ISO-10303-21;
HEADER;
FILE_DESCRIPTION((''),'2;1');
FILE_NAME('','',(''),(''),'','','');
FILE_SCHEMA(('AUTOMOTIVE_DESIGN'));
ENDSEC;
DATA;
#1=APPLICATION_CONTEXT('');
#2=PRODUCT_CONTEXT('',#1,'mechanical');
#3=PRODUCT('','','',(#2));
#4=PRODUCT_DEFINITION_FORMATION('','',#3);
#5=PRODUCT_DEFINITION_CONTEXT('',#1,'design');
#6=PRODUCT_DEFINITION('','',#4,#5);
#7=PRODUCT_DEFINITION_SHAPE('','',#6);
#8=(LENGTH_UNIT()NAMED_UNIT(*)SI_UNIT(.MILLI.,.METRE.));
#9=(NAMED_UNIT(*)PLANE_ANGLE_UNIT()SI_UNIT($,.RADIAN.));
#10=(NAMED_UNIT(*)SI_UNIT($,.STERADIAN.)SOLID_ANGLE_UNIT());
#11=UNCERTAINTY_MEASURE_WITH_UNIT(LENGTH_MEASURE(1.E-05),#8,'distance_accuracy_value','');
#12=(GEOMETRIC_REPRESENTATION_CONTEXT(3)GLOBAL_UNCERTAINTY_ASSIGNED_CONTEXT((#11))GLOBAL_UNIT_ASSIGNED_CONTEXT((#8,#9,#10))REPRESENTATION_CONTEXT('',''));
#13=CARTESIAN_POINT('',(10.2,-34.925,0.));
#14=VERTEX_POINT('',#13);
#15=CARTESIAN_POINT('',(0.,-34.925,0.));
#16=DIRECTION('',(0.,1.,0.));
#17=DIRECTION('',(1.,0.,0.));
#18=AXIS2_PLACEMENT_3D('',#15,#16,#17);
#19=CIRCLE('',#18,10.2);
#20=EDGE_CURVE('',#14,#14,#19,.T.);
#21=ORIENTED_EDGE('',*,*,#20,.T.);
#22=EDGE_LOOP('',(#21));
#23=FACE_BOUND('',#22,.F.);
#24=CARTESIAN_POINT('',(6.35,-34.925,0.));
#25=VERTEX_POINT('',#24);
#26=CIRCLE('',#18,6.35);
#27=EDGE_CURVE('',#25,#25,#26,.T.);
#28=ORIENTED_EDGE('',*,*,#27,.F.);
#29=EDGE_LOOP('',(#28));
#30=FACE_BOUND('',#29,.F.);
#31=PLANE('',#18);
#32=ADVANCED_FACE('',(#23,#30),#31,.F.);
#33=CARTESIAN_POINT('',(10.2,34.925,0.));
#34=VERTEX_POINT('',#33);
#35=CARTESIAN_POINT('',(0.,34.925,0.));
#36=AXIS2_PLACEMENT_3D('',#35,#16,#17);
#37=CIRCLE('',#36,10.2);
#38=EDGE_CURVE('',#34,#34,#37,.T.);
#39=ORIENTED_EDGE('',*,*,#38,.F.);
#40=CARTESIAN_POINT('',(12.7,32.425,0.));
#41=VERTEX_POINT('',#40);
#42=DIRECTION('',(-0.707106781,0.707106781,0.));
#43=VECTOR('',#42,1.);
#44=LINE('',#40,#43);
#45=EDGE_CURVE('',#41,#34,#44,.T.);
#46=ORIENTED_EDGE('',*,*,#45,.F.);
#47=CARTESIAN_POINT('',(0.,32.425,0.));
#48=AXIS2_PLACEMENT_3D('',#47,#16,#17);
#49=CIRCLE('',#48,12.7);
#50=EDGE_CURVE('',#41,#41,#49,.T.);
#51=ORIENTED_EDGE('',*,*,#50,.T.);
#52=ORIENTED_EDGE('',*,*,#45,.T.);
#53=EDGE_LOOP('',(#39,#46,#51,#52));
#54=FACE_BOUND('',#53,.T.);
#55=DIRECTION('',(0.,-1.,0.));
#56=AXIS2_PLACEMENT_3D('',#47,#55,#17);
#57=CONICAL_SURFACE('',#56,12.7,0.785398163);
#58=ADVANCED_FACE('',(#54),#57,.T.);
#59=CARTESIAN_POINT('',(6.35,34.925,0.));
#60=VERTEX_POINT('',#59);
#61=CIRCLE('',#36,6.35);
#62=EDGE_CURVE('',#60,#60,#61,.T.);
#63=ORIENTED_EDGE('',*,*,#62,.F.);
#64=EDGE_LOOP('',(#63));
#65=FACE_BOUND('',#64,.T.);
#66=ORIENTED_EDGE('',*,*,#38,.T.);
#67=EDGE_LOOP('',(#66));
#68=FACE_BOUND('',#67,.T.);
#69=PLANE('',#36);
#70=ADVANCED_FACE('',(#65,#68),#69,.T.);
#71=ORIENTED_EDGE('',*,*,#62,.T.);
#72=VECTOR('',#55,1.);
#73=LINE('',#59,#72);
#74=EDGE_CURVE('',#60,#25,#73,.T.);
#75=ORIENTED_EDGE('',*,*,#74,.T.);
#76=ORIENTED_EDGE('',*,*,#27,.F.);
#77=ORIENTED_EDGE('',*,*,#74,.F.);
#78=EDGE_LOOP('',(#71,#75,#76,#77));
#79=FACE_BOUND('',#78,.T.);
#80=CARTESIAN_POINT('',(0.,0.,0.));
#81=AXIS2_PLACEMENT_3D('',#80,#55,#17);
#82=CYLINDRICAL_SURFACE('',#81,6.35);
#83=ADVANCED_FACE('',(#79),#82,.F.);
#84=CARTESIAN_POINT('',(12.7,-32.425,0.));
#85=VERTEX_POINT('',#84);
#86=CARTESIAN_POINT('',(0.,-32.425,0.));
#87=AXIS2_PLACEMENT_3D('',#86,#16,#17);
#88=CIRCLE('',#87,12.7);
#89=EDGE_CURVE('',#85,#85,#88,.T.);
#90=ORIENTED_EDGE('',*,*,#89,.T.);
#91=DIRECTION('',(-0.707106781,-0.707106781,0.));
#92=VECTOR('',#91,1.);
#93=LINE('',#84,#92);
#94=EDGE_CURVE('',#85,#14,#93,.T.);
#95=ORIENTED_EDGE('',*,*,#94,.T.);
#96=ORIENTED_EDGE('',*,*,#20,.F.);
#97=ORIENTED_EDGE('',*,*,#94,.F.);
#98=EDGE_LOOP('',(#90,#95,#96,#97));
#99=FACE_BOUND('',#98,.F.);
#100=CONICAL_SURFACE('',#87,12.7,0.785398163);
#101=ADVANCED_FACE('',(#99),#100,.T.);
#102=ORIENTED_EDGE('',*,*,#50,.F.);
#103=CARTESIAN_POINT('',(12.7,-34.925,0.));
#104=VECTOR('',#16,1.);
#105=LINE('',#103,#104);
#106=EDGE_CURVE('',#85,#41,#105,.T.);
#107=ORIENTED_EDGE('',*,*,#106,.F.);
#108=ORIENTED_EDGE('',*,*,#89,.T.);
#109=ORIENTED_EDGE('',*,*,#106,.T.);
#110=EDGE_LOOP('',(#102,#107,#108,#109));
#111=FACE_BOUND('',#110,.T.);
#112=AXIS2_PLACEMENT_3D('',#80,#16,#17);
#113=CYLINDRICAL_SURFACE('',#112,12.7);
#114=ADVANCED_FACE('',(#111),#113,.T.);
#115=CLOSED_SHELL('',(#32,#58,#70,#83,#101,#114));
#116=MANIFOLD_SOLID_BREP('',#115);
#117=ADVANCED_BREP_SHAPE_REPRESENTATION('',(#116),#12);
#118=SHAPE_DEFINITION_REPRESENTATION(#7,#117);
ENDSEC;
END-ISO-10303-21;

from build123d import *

# Parameters (mm, degrees)
CROQUIS2_R              = 12.7
CROQUIS2_R_2            = 6.35
SALIENTE_EXTRUIR1_DEPTH = 34.925
CHAFL_N1_SIZE           = 2.5


with BuildPart() as part:
    # Croquis2 → Saliente-Extruir1 (new body, symmetric)
    with BuildSketch(Plane(origin=(0, 0, 0), x_dir=(1, 0, 0), z_dir=(0, 1, 0))):
        Circle(CROQUIS2_R)
        Circle(CROQUIS2_R_2, mode=Mode.SUBTRACT)
    extrude(amount=SALIENTE_EXTRUIR1_DEPTH, both=True)

    # Chaflán1
    chafl_n1_edges = [part.edges().sort_by_distance(p)[0] for p in [
        (-12.7, -34.925, 0),
        (-12.7, 34.925, 0),
    ]]
    chamfer(chafl_n1_edges, length=CHAFL_N1_SIZE)


solid = part.part
